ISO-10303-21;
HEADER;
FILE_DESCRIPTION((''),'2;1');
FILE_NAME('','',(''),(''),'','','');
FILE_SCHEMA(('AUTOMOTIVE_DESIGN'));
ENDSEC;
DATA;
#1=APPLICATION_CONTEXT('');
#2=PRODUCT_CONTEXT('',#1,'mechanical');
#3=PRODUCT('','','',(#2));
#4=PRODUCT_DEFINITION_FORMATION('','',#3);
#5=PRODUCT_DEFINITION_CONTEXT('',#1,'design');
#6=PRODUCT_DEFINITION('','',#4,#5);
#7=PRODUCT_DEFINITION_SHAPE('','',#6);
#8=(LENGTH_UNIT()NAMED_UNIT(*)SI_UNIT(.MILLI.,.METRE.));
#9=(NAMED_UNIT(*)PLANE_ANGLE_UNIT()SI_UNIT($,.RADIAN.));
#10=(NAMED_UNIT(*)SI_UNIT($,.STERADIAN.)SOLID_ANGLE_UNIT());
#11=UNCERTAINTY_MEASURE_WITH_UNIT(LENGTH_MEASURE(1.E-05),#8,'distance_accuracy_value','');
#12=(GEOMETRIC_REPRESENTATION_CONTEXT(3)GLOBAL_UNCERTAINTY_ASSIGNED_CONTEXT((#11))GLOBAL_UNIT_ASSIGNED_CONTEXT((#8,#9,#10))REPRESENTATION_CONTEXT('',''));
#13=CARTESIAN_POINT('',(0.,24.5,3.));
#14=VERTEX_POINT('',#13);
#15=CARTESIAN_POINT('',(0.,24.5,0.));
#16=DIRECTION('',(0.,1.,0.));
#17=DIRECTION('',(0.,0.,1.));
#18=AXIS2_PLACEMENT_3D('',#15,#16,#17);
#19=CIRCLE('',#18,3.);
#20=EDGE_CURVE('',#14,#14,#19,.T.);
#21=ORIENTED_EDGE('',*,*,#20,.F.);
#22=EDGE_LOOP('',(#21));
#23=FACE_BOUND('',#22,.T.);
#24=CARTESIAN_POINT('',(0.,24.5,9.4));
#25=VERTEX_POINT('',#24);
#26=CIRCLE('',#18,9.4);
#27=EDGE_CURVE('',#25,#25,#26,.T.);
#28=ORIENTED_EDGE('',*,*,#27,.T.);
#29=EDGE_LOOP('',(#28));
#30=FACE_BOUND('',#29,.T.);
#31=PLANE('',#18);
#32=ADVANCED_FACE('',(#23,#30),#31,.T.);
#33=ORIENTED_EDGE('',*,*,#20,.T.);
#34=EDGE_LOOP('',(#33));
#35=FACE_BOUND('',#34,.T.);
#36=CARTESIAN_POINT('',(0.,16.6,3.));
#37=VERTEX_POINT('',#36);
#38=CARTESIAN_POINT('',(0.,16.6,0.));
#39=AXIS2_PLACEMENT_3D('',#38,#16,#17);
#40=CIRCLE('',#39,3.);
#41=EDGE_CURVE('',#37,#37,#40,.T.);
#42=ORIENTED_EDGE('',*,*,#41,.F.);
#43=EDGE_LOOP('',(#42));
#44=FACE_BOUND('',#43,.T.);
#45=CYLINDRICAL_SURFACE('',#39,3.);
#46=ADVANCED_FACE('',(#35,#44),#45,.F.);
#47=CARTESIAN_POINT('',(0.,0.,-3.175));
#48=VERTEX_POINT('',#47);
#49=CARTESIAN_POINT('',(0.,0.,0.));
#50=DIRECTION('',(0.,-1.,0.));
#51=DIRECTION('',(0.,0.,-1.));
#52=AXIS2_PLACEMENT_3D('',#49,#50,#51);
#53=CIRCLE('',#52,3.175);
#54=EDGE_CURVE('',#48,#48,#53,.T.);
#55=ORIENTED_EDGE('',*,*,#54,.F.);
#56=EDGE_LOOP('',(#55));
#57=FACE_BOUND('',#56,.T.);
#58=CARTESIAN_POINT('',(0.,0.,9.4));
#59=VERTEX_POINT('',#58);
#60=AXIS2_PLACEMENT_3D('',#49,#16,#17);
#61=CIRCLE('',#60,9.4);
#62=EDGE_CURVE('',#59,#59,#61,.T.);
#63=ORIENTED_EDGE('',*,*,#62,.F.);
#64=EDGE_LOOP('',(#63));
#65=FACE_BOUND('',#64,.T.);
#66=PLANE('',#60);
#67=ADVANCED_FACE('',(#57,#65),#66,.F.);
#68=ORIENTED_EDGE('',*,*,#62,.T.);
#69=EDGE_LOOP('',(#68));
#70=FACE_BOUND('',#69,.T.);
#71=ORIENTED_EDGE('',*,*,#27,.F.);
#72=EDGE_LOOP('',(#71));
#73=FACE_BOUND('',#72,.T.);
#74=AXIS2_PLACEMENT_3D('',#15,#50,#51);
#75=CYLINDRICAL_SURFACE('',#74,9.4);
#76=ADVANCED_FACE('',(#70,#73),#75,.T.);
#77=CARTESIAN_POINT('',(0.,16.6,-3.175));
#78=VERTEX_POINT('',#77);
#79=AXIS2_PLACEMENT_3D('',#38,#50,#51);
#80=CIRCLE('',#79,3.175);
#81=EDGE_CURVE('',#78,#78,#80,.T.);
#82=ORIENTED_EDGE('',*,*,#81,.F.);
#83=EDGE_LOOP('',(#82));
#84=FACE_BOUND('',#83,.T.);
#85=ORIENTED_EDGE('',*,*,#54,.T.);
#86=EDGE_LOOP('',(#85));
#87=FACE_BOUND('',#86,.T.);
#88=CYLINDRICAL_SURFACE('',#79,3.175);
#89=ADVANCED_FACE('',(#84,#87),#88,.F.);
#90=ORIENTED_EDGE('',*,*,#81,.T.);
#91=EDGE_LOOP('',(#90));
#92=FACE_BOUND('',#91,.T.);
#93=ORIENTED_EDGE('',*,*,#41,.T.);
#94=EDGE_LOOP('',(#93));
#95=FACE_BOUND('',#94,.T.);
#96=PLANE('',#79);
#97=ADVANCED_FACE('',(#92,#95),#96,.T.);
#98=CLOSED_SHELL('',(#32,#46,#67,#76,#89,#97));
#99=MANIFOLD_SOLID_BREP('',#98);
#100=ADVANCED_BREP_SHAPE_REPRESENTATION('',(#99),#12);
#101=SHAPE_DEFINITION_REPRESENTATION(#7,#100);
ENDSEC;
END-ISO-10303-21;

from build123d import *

# Parameters (mm, degrees)
SKETCH2_R           = 9.4
BOSS_EXTRUDE1_DEPTH = 24.5
SKETCH3_R           = 3
CUT_EXTRUDE1_DEPTH  = 7.9
SKETCH4_R           = 3.175
CUT_EXTRUDE2_DEPTH  = 16.6


with BuildPart() as part:
    # Sketch2 → Boss-Extrude1 (new body)
    with BuildSketch(Plane(origin=(0, 0, 0), x_dir=(1, 0, 0), z_dir=(0, 1, 0))):
        Circle(SKETCH2_R)
    extrude(amount=BOSS_EXTRUDE1_DEPTH)

    # Sketch3 → Cut-Extrude1 (cut)
    with BuildSketch(Plane(origin=(0, 24.5, 0), x_dir=(1, 0, 0), z_dir=(0, 1, 0))):
        Circle(SKETCH3_R)
    extrude(amount=-CUT_EXTRUDE1_DEPTH, mode=Mode.SUBTRACT)

    # Sketch4 → Cut-Extrude2 (cut)
    with BuildSketch(Plane.XZ):
        Circle(SKETCH4_R)
    extrude(amount=-CUT_EXTRUDE2_DEPTH, mode=Mode.SUBTRACT)


solid = part.part
